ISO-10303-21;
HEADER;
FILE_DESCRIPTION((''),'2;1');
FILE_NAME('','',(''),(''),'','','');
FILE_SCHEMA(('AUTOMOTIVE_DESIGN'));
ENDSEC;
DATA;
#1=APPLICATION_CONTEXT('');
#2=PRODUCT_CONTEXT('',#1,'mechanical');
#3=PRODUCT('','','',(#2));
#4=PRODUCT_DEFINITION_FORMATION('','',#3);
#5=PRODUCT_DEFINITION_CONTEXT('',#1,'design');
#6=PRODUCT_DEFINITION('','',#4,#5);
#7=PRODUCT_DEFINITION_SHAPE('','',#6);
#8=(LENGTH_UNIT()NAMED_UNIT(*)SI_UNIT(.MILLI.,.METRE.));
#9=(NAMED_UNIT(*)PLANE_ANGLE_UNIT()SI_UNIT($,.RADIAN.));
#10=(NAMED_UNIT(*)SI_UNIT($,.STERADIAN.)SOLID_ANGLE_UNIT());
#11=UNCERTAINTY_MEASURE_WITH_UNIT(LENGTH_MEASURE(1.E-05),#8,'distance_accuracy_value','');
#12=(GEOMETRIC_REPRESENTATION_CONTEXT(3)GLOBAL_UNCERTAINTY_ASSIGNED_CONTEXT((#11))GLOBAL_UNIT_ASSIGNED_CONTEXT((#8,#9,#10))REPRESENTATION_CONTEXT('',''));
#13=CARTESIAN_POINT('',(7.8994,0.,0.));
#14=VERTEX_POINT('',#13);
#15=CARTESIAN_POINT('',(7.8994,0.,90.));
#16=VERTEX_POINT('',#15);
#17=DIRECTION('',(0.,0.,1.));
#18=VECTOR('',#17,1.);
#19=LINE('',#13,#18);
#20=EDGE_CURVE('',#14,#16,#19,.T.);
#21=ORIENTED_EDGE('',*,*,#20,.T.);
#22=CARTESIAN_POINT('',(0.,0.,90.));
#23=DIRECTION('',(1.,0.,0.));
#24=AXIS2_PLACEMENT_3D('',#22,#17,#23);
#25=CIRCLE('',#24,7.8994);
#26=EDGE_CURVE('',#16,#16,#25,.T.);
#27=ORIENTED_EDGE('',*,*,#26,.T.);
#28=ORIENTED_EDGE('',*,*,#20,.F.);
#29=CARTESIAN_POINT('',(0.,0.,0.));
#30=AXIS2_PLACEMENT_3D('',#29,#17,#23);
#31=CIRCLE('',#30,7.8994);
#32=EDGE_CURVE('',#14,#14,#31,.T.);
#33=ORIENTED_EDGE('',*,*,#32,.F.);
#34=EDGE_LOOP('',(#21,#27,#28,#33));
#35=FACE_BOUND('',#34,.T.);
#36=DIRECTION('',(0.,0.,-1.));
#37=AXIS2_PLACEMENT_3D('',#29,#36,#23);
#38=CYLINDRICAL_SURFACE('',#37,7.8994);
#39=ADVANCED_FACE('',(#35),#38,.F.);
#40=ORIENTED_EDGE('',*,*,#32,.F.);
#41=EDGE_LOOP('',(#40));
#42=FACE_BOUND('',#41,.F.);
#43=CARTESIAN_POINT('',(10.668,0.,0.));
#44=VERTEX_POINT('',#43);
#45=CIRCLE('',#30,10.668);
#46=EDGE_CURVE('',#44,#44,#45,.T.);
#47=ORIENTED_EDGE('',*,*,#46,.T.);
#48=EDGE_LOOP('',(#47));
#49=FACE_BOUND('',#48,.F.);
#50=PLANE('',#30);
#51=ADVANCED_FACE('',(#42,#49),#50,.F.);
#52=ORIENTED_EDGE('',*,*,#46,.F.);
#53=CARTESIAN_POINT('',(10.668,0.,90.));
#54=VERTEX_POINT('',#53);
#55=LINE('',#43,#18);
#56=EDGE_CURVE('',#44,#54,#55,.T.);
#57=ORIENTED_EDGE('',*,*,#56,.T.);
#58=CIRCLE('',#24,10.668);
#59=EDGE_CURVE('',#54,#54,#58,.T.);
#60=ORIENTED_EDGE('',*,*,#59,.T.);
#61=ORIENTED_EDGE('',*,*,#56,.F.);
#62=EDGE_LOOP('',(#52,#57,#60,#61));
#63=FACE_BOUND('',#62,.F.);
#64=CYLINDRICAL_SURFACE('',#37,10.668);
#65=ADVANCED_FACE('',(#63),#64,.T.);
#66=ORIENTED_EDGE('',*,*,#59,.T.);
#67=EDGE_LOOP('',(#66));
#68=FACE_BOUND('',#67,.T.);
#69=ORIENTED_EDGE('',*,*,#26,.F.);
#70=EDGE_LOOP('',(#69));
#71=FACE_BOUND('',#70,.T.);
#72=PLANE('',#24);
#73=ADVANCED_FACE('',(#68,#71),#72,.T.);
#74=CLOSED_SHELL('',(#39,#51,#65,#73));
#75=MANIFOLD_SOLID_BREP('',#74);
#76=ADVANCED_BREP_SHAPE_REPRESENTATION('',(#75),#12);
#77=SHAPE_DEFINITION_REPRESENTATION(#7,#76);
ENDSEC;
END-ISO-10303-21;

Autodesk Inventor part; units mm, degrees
ref_plane "YZ Plane" through (0, 0, 0) normal (1, 0, 0) x (0, 1, 0)
ref_plane "Start Plane" through (0, 0, 0) normal (0, 0, 1) x (1, 0, 0)
ref_plane "End Plane" through (0, 0, 90) normal (0, 0, 1) x (1, 0, 0)
sketch "Sketch" plane through (0, 0, 0) normal (0, 0, 1) x (1, 0, 0)
  circle A0 centre (0, 0) radius 7.8994
  circle A1 centre (0, 0) radius 10.668
  dimension "d0" = 21.336
  dimension "d1" = 2.7686
extrude "Body" add sketch "Sketch" along normal up to surface (90 mm away) from surface at 0
sketch "Sketch3" plane through (0, 0, 0) normal (0, 0, 1) x (1, 0, 0)
  line L0 (0, 0) -> (10, 0)
ref_plane "Work Plane3" through (0, 0, 0) normal (0, -1, 0) x (1, 0, 0)
sketch "Sketch4" plane through (0, 0, 0) normal (0, -1, 0) x (1, 0, 0)
  line L0 (-2, 0) -> (12, 0) projected
  line L1 (-2, 90) -> (12, 90) projected
  dimension "d7" = 90
equation "\"d0\" = G_H"
equation "\"d1\" = G_T"
equation "\"d2\" = G_L"
equation "\"G_H\" = 21.336"
equation "\"G_T\" = 2.7686"
equation "\"G_L\" = d7"
equation "\"G_OFFSET_START\" = 0"
equation "\"G_OFFSET_END\" = 0"
equation "\"d5\" = G_OFFSET_END + B_L"
equation "\"B_L\" = 90"
properties part number "ANSI - 1/2 x 0.109 - 3.543" material "Steel, Mild"
